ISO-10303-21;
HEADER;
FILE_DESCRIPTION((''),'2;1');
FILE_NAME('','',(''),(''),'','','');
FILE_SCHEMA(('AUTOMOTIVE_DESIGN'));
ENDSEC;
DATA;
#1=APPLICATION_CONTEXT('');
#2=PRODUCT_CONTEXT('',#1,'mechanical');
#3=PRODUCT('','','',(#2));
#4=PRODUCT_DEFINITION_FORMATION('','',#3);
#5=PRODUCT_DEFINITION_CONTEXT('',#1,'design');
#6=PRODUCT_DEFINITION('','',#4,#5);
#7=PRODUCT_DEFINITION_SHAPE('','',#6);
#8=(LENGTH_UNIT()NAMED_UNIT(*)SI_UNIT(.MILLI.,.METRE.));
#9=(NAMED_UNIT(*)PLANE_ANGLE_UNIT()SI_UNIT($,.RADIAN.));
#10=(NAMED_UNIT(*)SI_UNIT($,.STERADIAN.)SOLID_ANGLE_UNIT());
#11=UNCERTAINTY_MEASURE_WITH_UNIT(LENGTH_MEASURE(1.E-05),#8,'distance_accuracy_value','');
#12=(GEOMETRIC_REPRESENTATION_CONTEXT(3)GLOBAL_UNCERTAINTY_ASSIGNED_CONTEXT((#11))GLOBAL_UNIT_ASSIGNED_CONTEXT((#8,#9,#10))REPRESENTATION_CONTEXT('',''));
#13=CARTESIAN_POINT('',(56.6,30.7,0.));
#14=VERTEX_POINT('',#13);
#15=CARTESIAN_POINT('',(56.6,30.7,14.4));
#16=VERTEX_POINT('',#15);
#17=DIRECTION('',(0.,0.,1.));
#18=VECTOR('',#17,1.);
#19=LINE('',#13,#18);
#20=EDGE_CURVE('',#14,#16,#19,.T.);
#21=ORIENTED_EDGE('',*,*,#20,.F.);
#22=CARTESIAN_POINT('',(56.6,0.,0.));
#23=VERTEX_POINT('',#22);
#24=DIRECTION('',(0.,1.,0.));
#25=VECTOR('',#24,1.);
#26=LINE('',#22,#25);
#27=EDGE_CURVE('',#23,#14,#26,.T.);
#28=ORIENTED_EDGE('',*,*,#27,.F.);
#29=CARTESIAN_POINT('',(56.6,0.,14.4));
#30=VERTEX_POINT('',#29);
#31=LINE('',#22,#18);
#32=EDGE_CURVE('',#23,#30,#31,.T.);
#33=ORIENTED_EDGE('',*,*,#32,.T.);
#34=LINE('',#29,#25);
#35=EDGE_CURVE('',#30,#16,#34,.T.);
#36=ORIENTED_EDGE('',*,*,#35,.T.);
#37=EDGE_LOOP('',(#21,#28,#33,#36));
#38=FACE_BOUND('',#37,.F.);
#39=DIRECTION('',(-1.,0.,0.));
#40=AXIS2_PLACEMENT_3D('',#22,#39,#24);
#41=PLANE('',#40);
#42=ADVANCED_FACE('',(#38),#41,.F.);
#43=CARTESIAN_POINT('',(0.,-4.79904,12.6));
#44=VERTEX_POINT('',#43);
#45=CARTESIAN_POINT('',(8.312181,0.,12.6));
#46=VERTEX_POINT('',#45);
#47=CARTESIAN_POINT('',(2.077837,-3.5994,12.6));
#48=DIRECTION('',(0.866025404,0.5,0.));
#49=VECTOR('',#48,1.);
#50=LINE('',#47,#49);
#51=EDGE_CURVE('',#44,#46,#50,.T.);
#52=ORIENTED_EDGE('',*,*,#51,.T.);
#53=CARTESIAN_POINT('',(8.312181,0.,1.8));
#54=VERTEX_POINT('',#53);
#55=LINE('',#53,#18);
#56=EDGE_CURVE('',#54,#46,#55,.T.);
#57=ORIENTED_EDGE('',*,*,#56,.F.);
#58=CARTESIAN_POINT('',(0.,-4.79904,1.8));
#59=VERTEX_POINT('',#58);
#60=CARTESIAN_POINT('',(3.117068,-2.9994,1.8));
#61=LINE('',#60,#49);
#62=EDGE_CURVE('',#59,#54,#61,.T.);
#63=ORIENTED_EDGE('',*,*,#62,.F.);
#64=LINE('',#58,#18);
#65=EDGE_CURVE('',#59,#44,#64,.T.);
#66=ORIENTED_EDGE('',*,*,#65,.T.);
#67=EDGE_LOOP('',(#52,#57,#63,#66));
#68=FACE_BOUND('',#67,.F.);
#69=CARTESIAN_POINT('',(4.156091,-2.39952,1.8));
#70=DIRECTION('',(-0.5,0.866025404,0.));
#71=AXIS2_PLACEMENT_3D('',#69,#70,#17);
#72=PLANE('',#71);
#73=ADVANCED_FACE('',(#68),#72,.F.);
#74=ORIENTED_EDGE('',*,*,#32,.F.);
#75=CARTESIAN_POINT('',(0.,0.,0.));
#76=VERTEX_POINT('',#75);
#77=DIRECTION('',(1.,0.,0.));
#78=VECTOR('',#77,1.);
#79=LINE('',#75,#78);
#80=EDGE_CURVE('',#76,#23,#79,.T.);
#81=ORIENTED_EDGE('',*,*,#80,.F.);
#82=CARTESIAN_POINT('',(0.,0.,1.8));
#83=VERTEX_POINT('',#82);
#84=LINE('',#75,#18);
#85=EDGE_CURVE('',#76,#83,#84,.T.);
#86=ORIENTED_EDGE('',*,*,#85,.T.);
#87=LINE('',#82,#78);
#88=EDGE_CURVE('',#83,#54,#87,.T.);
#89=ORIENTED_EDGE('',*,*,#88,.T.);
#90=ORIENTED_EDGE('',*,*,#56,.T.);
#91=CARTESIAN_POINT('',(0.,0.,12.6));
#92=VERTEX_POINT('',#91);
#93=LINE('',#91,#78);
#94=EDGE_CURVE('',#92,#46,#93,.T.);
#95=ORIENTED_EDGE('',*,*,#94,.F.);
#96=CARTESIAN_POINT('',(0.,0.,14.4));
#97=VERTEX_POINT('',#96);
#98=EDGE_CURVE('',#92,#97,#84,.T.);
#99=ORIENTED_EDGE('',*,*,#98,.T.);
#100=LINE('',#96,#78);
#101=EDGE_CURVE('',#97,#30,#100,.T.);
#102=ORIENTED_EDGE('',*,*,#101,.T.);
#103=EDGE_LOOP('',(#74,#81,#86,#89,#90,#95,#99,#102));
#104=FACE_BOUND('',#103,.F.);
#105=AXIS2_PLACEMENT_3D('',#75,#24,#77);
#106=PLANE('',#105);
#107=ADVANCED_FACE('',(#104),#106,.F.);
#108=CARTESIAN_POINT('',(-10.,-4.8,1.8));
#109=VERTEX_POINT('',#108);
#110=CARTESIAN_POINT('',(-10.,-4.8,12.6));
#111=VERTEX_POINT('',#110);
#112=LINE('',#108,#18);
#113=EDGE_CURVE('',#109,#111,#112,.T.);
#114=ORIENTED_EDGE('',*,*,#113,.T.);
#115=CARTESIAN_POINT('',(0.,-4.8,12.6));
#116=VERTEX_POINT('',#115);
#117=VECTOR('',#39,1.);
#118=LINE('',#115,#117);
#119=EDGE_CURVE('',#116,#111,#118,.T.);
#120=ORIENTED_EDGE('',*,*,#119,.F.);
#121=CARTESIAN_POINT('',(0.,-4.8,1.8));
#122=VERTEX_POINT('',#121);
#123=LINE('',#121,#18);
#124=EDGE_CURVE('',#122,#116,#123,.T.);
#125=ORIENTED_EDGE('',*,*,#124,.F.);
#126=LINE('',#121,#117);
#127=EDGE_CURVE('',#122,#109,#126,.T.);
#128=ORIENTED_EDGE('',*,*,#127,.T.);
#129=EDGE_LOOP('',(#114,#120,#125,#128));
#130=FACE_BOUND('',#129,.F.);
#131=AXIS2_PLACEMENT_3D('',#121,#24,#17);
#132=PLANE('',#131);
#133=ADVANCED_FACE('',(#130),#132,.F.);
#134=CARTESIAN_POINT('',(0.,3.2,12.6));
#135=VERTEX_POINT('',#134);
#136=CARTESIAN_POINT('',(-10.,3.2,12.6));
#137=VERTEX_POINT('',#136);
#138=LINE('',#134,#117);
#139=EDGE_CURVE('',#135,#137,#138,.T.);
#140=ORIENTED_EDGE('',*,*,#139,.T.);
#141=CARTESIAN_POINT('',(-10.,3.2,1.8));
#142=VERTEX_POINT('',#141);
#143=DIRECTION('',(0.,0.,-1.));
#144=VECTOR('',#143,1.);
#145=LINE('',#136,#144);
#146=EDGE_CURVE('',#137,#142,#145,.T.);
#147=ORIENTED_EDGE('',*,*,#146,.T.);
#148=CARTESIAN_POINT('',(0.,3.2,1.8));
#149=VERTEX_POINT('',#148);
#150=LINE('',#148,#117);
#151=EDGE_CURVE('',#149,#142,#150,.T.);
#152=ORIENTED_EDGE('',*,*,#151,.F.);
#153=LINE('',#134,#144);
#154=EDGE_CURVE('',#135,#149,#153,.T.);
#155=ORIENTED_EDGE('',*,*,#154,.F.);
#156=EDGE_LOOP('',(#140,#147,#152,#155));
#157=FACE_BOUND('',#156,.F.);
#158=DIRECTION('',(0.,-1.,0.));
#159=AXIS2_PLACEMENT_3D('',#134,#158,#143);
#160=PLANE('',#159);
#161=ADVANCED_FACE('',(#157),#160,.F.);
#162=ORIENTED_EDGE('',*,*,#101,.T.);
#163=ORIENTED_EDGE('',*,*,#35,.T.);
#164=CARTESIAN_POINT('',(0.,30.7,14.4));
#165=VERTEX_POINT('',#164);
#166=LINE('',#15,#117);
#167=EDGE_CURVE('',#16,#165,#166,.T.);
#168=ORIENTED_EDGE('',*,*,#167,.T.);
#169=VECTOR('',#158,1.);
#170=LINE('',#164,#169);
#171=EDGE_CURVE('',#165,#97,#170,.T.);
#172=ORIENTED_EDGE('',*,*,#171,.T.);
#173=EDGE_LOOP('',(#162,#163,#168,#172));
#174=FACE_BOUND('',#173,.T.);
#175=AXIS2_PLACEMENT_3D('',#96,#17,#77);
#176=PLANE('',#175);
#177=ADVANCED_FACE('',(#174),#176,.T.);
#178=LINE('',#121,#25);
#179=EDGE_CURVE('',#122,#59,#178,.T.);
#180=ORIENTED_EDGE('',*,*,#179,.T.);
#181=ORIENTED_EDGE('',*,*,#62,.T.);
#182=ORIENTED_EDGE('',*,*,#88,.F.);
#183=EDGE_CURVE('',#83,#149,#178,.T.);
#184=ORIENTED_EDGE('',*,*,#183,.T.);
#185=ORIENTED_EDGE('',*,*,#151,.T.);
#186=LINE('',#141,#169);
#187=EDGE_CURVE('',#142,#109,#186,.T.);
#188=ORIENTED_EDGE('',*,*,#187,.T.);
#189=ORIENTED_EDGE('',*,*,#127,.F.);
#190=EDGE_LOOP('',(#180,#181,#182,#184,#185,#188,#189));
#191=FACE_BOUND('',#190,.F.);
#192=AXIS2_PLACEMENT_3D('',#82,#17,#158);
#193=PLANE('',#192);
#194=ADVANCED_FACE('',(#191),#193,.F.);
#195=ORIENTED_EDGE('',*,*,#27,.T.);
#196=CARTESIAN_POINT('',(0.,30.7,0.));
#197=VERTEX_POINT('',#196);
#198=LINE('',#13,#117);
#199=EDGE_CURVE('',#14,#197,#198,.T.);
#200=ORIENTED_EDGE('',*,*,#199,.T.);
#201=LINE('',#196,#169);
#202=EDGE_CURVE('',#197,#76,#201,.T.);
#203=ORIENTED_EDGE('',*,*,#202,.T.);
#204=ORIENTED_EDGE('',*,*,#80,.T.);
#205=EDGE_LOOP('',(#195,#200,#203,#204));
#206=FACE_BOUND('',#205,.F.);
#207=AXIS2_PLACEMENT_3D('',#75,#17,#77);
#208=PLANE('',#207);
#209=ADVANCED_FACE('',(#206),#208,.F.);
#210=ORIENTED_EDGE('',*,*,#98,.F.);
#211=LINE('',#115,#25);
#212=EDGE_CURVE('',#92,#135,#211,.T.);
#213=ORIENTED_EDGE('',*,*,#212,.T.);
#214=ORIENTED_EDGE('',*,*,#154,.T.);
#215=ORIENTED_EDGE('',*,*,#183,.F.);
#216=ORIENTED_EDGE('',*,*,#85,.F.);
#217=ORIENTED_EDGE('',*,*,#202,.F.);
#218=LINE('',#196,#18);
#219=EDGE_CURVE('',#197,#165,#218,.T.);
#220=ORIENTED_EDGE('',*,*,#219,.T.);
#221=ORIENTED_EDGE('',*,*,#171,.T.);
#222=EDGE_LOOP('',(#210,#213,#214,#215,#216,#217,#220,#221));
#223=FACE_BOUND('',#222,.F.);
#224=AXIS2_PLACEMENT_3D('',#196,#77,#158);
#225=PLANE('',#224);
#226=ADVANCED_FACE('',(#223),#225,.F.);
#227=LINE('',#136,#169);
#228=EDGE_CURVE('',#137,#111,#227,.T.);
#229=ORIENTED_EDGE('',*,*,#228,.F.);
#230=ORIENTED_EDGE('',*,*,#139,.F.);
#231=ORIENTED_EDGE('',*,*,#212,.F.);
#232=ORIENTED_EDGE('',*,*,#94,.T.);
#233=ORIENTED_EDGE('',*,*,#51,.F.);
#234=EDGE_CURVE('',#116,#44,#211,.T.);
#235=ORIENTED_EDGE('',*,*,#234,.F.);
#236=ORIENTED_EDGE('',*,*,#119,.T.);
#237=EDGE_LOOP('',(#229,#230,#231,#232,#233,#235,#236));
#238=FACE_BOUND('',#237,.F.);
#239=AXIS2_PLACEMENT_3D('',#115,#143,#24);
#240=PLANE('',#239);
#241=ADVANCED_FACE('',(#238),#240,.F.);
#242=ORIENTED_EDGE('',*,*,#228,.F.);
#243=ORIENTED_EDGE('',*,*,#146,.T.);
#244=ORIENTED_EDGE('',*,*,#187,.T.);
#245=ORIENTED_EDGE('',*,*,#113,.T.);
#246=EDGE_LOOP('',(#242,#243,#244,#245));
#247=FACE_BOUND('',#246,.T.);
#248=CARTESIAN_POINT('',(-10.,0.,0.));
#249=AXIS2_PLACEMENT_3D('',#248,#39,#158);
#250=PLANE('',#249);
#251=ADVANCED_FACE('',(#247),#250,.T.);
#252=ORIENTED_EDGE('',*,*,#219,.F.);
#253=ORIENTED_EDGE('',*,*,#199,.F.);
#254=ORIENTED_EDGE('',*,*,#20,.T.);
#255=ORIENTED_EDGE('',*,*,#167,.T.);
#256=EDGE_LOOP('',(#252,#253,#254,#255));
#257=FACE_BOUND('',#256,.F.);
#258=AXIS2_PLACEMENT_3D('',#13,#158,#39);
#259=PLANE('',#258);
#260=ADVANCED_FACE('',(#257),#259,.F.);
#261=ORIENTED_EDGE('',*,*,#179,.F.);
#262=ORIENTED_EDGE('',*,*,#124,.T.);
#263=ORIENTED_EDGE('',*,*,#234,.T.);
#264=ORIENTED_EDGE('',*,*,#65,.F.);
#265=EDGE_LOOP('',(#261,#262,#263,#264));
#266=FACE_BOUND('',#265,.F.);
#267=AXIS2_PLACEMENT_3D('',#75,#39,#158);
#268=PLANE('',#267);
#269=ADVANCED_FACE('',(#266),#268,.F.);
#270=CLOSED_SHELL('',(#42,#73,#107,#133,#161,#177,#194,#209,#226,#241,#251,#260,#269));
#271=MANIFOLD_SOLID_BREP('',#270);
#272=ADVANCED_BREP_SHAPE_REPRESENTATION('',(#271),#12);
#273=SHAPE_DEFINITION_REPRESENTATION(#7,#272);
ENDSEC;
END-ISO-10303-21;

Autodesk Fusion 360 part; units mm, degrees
sketch "Sketch1" plane through (0, 0, 0) normal (0, 0, 1) x (1, 0, 0)
  line L0 (0, 0) -> (56.6, 0)
  line L1 (56.6, 0) -> (56.6, 30.7)
  line L2 (56.6, 30.7) -> (0, 30.7)
  line L3 (0, 30.7) -> (0, 0)
  dimension "d1" = 56.6
  dimension "d2" = 30.7
extrude "Extrude1" add sketch "Sketch1" along normal blind 14.4
sketch "Sketch2" plane through (0, 0, 0) normal (-1, 0, 0) x (0, -1, 0)
  line L0 (-30.7, 0) -> (0, 0)
  line L1 (0, 14.4) -> (-30.7, 14.4)
  line L2 (-30.7, 14.4) -> (-30.7, 0)
  line L3 (4.8, 12.6) -> (-3.2, 12.6)
  line L4 (-3.2, 12.6) -> (-3.2, 1.8)
  line L5 (-3.2, 1.8) -> (4.8, 1.8)
  line L6 (4.8, 1.8) -> (4.8, 12.6)
  line L7 (0, 0) -> (0, 14.4)
  dimension "d9" = 8
  dimension "d10" = 3.2
  dimension "d11" = 1.8
  dimension "d12" = 1.8
extrude "Extrude2" add sketch "Sketch2" along normal blind 10 contours L3 L5 L6 L7 | L3 L4 L5 L7
chamfer "Chamfer1" distance 4.8 angle 60 1 edges at (0, 0, 7.2) measured on face at (0, -1.6, 5.4)
equation "d12 = d11"
